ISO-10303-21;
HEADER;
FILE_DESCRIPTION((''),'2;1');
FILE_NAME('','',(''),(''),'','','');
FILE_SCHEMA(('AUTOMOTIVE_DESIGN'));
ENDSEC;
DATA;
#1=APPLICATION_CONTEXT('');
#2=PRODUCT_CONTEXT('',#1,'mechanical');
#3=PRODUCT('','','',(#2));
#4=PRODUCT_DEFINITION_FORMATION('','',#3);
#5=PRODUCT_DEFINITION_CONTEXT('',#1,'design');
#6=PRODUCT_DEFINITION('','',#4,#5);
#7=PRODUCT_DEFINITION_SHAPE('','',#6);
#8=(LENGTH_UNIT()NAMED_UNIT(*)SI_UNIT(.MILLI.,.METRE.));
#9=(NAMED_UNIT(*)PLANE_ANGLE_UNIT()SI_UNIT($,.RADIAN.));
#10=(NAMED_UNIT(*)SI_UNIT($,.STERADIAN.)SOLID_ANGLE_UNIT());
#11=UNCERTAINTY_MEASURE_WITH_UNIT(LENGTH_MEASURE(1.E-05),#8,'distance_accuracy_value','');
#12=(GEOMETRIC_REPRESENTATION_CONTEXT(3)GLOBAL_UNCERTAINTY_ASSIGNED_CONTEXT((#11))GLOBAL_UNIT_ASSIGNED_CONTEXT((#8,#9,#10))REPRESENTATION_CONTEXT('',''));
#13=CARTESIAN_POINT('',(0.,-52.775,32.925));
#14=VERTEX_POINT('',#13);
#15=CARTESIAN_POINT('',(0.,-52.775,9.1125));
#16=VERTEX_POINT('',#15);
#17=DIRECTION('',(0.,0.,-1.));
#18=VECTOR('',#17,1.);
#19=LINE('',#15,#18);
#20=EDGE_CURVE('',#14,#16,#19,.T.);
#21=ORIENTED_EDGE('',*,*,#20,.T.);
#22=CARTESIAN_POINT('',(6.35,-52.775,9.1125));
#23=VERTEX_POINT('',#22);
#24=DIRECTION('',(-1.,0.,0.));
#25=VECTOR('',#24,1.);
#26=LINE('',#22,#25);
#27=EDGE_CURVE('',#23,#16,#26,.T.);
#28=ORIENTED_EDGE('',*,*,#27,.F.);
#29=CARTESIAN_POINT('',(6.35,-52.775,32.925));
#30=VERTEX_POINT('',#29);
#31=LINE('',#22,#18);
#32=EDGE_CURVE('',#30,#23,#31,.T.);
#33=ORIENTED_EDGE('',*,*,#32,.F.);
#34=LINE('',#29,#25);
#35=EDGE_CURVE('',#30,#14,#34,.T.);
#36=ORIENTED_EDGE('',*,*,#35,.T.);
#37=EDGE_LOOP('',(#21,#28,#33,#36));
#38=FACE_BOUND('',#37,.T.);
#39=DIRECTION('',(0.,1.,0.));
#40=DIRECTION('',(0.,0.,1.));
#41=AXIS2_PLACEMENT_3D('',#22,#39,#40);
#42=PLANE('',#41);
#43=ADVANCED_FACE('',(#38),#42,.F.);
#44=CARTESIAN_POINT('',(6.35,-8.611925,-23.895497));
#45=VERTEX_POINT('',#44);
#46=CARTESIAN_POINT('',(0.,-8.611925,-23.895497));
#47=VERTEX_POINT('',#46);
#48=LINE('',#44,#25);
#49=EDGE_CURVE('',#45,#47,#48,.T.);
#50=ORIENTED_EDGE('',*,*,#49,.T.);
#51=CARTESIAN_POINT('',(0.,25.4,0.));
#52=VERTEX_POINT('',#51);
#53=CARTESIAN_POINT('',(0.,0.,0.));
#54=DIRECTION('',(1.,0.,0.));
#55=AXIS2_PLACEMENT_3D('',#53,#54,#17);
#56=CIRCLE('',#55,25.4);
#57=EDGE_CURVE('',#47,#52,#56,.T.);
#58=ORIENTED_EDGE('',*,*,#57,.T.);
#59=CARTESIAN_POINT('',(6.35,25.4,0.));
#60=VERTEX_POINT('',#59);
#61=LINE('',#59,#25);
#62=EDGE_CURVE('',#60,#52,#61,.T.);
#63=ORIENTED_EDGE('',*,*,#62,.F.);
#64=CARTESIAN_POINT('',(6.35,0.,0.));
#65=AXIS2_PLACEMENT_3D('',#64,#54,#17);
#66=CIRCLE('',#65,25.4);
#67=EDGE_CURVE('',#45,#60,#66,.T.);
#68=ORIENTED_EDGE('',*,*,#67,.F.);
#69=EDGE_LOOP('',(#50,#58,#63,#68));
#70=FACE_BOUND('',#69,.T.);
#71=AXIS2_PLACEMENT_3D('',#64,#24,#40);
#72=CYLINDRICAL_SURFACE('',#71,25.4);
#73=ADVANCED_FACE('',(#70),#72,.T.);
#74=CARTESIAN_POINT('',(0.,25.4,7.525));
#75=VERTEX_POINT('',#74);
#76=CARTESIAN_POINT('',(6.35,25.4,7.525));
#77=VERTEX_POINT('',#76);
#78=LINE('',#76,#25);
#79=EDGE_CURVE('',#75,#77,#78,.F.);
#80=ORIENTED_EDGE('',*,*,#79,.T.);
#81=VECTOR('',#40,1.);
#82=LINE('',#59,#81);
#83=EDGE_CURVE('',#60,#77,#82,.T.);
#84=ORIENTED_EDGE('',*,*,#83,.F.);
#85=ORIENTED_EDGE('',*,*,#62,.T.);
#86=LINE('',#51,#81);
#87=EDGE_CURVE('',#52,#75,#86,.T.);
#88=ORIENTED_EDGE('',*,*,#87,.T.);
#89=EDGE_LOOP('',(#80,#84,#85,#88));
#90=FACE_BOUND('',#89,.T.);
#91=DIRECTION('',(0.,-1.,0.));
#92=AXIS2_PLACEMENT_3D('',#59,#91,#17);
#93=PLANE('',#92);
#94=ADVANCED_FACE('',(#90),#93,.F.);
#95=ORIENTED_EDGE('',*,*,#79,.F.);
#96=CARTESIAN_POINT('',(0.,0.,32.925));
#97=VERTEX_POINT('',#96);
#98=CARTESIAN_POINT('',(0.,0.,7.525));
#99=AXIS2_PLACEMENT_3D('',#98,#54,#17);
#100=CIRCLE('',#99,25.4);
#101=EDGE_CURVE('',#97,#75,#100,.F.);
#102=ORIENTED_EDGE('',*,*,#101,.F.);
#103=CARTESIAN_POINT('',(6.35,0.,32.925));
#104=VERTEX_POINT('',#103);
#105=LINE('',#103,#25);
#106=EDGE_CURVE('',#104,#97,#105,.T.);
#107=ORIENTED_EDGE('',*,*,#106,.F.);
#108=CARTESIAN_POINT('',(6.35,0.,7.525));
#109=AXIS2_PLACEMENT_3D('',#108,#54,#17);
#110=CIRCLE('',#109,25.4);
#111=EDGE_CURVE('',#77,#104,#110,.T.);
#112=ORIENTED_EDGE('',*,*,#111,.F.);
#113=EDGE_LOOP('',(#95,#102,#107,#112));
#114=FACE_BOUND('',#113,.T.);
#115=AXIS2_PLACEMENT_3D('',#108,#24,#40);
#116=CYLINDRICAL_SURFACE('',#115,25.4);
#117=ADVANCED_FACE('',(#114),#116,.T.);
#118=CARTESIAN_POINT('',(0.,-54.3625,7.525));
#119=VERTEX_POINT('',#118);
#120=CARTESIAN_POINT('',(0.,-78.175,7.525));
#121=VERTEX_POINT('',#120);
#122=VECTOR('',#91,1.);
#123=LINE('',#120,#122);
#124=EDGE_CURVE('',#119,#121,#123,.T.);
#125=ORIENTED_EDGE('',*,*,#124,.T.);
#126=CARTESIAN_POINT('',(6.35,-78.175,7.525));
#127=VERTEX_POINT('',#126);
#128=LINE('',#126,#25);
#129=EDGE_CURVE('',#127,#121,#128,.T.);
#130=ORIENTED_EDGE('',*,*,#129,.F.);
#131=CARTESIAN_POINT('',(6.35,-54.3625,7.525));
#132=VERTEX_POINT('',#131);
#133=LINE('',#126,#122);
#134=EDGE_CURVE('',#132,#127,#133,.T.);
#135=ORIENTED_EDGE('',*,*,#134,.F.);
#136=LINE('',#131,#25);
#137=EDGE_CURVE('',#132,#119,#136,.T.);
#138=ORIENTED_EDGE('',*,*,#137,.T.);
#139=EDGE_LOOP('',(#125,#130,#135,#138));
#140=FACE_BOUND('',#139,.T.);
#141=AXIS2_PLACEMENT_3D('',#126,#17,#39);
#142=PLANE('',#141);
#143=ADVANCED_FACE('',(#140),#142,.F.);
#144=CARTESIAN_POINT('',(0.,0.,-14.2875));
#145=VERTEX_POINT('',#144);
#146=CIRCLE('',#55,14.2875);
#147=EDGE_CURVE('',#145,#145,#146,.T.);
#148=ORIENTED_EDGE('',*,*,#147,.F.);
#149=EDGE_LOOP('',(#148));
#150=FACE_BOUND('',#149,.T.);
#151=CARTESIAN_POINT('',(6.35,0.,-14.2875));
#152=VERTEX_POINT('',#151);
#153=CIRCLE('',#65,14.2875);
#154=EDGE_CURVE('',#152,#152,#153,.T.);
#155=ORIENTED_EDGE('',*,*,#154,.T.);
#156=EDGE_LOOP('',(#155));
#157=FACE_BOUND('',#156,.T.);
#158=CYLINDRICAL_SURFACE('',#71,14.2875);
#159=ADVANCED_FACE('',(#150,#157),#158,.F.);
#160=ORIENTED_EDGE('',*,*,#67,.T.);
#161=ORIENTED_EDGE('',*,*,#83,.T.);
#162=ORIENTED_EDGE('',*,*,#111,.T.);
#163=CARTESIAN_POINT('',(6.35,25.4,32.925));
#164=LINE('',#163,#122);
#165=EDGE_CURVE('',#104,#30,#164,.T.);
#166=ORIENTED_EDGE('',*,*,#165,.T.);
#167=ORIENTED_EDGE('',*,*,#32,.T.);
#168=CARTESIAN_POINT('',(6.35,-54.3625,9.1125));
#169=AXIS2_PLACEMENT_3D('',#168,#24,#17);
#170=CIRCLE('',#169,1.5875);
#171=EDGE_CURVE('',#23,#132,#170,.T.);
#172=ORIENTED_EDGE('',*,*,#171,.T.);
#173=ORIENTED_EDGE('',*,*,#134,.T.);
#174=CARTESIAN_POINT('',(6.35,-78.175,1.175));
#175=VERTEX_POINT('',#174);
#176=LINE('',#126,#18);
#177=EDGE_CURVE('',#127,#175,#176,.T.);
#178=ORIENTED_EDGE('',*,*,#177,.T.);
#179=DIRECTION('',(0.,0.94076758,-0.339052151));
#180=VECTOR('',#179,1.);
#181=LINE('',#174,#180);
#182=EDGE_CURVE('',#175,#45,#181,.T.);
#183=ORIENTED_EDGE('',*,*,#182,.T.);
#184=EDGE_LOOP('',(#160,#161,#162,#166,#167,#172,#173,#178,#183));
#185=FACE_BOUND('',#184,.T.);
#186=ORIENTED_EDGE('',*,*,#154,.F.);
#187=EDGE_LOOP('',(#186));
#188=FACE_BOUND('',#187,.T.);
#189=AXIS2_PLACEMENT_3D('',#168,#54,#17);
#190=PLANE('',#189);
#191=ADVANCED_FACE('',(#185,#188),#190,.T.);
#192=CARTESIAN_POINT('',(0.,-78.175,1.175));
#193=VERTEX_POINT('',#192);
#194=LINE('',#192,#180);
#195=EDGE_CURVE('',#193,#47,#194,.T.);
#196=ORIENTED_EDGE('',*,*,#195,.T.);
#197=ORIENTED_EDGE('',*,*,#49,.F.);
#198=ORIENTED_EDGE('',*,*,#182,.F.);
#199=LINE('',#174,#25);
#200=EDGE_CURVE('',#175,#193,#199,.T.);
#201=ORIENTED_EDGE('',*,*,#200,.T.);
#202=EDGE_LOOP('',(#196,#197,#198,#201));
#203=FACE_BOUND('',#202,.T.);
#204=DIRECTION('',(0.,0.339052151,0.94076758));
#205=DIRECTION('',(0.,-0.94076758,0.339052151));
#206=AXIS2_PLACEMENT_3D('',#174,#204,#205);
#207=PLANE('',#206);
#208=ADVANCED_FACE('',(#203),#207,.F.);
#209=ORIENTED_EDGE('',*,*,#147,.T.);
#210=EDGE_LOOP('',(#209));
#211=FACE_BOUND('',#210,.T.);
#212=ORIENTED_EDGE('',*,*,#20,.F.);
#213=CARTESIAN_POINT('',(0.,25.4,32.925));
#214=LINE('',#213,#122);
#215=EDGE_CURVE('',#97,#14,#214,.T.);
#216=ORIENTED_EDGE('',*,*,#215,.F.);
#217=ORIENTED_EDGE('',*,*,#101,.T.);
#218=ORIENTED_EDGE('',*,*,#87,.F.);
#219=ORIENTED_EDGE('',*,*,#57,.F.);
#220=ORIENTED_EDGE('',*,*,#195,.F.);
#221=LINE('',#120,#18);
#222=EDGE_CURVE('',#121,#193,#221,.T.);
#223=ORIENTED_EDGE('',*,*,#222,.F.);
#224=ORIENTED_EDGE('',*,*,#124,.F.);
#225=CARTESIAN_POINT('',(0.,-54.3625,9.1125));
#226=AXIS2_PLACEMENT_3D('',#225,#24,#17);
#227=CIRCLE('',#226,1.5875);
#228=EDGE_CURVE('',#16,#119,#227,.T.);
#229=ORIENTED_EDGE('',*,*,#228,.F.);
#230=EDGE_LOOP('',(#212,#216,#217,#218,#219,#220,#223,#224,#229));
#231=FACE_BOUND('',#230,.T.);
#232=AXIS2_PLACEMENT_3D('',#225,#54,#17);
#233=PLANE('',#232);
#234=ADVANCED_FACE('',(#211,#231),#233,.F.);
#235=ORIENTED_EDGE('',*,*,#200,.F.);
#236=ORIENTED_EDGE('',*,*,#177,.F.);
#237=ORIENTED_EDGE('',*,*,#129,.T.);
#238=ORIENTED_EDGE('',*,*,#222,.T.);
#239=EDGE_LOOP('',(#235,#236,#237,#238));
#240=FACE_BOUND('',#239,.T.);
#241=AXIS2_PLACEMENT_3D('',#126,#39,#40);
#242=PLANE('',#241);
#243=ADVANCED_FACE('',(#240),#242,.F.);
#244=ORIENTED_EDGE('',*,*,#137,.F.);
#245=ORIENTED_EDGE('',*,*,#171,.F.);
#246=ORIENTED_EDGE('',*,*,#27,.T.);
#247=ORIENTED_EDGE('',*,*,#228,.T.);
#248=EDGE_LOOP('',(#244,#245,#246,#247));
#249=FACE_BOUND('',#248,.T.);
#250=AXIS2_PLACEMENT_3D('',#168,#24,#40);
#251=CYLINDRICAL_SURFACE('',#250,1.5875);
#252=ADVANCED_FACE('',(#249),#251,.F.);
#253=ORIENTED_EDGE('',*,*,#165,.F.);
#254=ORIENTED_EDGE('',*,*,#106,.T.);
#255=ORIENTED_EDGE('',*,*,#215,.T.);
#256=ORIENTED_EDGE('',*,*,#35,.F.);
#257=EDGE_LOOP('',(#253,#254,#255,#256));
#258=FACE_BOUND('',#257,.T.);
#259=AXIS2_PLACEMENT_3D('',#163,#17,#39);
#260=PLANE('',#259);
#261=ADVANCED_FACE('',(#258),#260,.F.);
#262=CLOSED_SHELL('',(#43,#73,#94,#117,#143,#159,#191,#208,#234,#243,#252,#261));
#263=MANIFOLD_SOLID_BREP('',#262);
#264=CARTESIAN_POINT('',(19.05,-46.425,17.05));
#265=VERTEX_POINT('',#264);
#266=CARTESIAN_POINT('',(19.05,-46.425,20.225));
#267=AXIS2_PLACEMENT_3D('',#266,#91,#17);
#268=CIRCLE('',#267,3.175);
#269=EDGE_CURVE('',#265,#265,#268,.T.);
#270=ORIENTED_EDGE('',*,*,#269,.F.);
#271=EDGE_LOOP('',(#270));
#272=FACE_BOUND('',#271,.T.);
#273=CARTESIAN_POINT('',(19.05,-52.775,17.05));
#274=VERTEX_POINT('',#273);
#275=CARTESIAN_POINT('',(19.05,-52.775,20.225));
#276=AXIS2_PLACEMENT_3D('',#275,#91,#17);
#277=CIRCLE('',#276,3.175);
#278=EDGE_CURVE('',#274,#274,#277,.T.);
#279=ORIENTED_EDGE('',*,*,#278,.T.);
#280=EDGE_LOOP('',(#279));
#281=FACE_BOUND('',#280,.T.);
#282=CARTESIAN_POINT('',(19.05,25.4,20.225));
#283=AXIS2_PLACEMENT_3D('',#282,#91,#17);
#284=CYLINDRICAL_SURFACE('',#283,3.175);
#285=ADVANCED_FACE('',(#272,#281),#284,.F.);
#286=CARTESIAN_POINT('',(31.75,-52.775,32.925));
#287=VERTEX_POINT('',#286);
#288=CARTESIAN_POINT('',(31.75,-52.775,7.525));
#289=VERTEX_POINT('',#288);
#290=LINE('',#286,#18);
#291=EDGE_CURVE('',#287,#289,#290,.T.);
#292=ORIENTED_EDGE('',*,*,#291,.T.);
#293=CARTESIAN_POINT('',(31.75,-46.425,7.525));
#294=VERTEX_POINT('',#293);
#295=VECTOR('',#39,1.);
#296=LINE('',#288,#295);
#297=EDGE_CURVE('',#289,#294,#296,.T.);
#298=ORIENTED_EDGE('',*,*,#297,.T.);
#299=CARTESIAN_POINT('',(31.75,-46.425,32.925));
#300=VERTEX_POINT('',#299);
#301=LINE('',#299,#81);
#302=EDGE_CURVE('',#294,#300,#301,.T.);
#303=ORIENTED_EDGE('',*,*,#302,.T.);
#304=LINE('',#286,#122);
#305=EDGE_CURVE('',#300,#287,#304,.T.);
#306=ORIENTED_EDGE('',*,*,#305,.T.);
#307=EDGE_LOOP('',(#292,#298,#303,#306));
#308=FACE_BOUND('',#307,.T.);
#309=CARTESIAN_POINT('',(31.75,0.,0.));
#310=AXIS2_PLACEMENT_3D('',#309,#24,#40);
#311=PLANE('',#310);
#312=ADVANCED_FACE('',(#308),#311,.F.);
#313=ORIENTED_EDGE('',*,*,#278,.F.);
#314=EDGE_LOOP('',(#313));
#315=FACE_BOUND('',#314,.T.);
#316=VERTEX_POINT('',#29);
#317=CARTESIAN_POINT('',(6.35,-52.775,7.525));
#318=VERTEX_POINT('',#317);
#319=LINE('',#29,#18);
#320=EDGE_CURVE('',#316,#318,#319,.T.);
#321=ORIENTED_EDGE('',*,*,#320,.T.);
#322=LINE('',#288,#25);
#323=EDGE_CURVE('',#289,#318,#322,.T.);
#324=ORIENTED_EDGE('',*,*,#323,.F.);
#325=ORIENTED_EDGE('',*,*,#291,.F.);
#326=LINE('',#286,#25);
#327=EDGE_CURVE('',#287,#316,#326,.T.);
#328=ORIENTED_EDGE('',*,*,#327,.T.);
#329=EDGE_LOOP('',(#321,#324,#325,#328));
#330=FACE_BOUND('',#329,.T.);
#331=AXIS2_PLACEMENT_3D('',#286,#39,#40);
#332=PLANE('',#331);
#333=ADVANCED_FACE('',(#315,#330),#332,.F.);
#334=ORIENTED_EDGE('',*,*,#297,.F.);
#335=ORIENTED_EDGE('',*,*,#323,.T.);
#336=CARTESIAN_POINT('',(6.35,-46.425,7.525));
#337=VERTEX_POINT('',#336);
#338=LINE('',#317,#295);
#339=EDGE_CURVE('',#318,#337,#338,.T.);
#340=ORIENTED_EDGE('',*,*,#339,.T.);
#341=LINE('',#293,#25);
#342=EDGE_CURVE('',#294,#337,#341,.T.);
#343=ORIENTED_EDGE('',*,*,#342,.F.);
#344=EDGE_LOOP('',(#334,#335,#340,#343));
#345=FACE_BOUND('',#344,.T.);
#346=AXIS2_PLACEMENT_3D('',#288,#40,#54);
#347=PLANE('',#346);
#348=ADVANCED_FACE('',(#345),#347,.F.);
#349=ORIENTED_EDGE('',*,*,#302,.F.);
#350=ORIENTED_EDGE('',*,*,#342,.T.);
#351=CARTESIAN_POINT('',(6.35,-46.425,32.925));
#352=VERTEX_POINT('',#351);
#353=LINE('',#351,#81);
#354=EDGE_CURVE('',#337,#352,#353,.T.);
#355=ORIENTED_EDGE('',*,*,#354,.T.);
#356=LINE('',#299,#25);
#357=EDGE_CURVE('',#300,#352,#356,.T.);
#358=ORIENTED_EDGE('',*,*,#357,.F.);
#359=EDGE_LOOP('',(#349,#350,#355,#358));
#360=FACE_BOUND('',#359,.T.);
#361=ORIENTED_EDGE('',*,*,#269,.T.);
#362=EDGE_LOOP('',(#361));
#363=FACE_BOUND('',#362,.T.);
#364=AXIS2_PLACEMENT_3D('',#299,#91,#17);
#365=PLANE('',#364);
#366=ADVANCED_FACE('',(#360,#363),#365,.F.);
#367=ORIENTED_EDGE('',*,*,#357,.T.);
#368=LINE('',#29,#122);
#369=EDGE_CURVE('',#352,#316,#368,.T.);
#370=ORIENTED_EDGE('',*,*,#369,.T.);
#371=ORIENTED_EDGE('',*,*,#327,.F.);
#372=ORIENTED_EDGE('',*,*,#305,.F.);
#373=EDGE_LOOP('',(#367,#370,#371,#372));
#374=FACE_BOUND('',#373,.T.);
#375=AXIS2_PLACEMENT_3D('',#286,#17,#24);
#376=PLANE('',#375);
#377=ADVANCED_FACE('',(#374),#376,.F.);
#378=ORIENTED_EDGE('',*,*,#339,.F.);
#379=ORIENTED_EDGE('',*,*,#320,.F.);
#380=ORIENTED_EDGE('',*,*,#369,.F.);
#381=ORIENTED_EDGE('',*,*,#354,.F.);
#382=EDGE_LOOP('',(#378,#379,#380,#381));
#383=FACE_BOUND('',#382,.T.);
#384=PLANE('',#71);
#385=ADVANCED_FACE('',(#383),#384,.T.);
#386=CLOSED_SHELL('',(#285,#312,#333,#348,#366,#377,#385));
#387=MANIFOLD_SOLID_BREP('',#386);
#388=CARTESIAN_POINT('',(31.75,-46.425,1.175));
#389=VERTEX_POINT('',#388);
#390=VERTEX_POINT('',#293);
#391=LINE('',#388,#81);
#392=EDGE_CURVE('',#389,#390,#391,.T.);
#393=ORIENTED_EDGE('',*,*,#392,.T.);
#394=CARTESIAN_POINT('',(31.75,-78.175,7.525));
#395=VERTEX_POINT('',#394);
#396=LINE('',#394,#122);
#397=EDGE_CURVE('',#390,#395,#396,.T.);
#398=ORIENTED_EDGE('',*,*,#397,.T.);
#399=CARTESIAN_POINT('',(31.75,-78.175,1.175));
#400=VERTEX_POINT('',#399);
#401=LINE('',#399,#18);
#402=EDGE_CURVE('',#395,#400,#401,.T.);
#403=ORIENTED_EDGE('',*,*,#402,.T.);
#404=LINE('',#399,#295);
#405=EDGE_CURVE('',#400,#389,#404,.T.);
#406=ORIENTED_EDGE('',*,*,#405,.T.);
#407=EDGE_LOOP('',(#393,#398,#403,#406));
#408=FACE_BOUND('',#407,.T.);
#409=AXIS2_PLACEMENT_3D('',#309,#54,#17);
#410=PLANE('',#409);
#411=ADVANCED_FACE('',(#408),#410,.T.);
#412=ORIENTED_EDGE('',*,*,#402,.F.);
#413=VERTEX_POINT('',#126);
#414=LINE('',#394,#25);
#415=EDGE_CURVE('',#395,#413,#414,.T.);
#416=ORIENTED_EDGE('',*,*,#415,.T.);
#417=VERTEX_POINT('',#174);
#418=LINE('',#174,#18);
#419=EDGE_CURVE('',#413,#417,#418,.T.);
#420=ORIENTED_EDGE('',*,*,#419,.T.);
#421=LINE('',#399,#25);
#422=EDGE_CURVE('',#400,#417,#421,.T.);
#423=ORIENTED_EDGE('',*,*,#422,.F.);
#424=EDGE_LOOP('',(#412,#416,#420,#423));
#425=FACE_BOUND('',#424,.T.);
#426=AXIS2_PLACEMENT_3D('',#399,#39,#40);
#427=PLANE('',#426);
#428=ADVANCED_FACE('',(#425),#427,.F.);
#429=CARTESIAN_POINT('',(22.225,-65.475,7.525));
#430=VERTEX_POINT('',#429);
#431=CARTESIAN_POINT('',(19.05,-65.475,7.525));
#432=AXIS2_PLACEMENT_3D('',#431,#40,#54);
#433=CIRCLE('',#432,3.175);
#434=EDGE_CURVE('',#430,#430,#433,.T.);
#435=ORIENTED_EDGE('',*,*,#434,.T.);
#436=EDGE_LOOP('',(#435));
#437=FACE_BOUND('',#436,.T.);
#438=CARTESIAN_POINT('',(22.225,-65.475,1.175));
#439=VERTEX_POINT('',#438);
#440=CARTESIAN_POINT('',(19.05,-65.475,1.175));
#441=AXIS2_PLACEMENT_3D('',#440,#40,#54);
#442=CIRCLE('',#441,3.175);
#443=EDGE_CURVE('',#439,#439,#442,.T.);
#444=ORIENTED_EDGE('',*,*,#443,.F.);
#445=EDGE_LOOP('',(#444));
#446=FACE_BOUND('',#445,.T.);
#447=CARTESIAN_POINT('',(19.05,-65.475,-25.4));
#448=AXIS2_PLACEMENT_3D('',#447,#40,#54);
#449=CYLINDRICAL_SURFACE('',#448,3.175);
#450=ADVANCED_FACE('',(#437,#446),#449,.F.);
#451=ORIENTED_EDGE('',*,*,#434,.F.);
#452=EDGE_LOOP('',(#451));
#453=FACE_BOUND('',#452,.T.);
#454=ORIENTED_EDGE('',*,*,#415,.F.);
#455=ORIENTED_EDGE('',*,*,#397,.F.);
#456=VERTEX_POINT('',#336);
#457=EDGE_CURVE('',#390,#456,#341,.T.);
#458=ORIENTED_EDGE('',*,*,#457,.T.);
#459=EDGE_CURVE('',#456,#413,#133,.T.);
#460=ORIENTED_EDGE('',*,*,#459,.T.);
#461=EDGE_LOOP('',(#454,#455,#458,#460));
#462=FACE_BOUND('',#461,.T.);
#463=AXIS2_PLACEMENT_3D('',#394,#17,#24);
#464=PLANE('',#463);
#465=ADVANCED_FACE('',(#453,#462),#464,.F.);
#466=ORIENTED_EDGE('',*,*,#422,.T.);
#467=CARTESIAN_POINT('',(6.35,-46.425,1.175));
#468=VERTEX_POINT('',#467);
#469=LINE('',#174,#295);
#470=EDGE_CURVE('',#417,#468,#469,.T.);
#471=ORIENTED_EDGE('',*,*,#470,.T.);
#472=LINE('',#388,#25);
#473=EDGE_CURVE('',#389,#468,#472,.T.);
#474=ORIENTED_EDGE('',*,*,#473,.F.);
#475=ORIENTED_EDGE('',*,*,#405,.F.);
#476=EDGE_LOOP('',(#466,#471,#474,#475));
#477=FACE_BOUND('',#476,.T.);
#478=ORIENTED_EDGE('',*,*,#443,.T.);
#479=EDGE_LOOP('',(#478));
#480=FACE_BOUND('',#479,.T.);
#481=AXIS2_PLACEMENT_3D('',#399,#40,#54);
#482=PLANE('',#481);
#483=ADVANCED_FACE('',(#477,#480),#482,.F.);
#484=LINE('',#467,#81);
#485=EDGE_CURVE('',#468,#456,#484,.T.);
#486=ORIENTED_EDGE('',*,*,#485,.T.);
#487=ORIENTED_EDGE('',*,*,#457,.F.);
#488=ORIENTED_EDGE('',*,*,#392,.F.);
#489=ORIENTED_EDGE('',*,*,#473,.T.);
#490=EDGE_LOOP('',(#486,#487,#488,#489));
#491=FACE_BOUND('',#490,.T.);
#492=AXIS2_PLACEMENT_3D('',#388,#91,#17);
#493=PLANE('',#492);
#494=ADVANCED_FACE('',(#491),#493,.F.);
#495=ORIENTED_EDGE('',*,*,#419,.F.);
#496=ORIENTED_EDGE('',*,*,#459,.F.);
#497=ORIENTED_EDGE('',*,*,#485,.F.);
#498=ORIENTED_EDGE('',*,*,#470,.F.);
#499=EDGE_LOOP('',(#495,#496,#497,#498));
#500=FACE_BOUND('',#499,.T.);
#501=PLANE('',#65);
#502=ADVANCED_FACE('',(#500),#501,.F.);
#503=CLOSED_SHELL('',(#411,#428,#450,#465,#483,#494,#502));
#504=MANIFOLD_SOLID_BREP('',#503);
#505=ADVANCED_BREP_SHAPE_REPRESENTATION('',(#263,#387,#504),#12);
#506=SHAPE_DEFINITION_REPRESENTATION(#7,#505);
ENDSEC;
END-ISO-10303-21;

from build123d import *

# Parameters (mm, degrees)
SKETCH1_R           = 14.2875
BOSS_EXTRUDE1_DEPTH = 6.35
SKETCH2_W           = 25.4
SKETCH2_H           = 6.35
BOSS_EXTRUDE2_DEPTH = 25.4
FILLET1_R           = 25.4
SKETCH3_W           = 6.35
SKETCH3_H           = 31.75
BOSS_EXTRUDE3_DEPTH = 25.4
SKETCH4_R           = 3.175
CUT_EXTRUDE1_DEPTH  = 79.175
SKETCH5_R           = 3.175
CUT_EXTRUDE2_DEPTH  = 33.925


with BuildPart() as part:
    # Sketch1 → Boss-Extrude1 (new body)
    with BuildSketch(Plane(origin=(0, 0, 0), x_dir=(0, 0, -1), z_dir=(1, 0, 0))):
        with BuildLine():
            Line((0, 25.4), (-32.925, 25.4))
            Line((-32.925, 25.4), (-32.925, -52.775))
            Line((-32.925, -52.775), (-9.1125, -52.775))
            ThreePointArc((-9.1125, -52.775), (-7.989967985, -53.239967985), (-7.525, -54.3625))
            Line((-7.525, -54.3625), (-7.525, -78.175))
            Line((-7.525, -78.175), (-1.175, -78.175))
            Line((-1.175, -78.175), (23.895496523, -8.611924636))
            ThreePointArc((23.895496523, -8.611924636), (20.783441555, 14.601662821), (0, 25.4))
        make_face()
        Circle(SKETCH1_R, mode=Mode.SUBTRACT)
    extrude(amount=BOSS_EXTRUDE1_DEPTH)

    # Fillet1
    fillet1_edges = [part.edges().sort_by_distance(p)[0] for p in [
        (3.175, 25.4, 32.925),
    ]]
    fillet(fillet1_edges, radius=FILLET1_R)


with BuildPart() as body_2:
    # Sketch2 → Boss-Extrude2 (new body)
    with BuildSketch(Plane(origin=(6.35, 0, 0), x_dir=(0, 0, -1), z_dir=(1, 0, 0))):
        with Locations((-20.225, -49.6)):
            Rectangle(SKETCH2_W, SKETCH2_H)
    extrude(amount=BOSS_EXTRUDE2_DEPTH)

    # Sketch4 → Cut-Extrude1 (cut, through all)
    with BuildSketch(Plane.XZ.offset(52.775)):
        with Locations((19.05, 20.225)):
            Circle(SKETCH4_R)
    extrude(amount=-CUT_EXTRUDE1_DEPTH, mode=Mode.SUBTRACT)


with BuildPart() as body_3:
    # Sketch3 → Boss-Extrude3 (new body)
    with BuildSketch(Plane(origin=(6.35, 0, 0), x_dir=(0, 0, -1), z_dir=(1, 0, 0))):
        with Locations((-4.35, -62.3)):
            Rectangle(SKETCH3_W, SKETCH3_H)
    extrude(amount=BOSS_EXTRUDE3_DEPTH)

    # Sketch5 → Cut-Extrude2 (cut, through all)
    with BuildSketch(Plane.XY.offset(7.525)):
        with Locations((19.05, -65.475)):
            Circle(SKETCH5_R)
    extrude(amount=-CUT_EXTRUDE2_DEPTH, mode=Mode.SUBTRACT)


solid = Compound([part.part, body_2.part, body_3.part])
